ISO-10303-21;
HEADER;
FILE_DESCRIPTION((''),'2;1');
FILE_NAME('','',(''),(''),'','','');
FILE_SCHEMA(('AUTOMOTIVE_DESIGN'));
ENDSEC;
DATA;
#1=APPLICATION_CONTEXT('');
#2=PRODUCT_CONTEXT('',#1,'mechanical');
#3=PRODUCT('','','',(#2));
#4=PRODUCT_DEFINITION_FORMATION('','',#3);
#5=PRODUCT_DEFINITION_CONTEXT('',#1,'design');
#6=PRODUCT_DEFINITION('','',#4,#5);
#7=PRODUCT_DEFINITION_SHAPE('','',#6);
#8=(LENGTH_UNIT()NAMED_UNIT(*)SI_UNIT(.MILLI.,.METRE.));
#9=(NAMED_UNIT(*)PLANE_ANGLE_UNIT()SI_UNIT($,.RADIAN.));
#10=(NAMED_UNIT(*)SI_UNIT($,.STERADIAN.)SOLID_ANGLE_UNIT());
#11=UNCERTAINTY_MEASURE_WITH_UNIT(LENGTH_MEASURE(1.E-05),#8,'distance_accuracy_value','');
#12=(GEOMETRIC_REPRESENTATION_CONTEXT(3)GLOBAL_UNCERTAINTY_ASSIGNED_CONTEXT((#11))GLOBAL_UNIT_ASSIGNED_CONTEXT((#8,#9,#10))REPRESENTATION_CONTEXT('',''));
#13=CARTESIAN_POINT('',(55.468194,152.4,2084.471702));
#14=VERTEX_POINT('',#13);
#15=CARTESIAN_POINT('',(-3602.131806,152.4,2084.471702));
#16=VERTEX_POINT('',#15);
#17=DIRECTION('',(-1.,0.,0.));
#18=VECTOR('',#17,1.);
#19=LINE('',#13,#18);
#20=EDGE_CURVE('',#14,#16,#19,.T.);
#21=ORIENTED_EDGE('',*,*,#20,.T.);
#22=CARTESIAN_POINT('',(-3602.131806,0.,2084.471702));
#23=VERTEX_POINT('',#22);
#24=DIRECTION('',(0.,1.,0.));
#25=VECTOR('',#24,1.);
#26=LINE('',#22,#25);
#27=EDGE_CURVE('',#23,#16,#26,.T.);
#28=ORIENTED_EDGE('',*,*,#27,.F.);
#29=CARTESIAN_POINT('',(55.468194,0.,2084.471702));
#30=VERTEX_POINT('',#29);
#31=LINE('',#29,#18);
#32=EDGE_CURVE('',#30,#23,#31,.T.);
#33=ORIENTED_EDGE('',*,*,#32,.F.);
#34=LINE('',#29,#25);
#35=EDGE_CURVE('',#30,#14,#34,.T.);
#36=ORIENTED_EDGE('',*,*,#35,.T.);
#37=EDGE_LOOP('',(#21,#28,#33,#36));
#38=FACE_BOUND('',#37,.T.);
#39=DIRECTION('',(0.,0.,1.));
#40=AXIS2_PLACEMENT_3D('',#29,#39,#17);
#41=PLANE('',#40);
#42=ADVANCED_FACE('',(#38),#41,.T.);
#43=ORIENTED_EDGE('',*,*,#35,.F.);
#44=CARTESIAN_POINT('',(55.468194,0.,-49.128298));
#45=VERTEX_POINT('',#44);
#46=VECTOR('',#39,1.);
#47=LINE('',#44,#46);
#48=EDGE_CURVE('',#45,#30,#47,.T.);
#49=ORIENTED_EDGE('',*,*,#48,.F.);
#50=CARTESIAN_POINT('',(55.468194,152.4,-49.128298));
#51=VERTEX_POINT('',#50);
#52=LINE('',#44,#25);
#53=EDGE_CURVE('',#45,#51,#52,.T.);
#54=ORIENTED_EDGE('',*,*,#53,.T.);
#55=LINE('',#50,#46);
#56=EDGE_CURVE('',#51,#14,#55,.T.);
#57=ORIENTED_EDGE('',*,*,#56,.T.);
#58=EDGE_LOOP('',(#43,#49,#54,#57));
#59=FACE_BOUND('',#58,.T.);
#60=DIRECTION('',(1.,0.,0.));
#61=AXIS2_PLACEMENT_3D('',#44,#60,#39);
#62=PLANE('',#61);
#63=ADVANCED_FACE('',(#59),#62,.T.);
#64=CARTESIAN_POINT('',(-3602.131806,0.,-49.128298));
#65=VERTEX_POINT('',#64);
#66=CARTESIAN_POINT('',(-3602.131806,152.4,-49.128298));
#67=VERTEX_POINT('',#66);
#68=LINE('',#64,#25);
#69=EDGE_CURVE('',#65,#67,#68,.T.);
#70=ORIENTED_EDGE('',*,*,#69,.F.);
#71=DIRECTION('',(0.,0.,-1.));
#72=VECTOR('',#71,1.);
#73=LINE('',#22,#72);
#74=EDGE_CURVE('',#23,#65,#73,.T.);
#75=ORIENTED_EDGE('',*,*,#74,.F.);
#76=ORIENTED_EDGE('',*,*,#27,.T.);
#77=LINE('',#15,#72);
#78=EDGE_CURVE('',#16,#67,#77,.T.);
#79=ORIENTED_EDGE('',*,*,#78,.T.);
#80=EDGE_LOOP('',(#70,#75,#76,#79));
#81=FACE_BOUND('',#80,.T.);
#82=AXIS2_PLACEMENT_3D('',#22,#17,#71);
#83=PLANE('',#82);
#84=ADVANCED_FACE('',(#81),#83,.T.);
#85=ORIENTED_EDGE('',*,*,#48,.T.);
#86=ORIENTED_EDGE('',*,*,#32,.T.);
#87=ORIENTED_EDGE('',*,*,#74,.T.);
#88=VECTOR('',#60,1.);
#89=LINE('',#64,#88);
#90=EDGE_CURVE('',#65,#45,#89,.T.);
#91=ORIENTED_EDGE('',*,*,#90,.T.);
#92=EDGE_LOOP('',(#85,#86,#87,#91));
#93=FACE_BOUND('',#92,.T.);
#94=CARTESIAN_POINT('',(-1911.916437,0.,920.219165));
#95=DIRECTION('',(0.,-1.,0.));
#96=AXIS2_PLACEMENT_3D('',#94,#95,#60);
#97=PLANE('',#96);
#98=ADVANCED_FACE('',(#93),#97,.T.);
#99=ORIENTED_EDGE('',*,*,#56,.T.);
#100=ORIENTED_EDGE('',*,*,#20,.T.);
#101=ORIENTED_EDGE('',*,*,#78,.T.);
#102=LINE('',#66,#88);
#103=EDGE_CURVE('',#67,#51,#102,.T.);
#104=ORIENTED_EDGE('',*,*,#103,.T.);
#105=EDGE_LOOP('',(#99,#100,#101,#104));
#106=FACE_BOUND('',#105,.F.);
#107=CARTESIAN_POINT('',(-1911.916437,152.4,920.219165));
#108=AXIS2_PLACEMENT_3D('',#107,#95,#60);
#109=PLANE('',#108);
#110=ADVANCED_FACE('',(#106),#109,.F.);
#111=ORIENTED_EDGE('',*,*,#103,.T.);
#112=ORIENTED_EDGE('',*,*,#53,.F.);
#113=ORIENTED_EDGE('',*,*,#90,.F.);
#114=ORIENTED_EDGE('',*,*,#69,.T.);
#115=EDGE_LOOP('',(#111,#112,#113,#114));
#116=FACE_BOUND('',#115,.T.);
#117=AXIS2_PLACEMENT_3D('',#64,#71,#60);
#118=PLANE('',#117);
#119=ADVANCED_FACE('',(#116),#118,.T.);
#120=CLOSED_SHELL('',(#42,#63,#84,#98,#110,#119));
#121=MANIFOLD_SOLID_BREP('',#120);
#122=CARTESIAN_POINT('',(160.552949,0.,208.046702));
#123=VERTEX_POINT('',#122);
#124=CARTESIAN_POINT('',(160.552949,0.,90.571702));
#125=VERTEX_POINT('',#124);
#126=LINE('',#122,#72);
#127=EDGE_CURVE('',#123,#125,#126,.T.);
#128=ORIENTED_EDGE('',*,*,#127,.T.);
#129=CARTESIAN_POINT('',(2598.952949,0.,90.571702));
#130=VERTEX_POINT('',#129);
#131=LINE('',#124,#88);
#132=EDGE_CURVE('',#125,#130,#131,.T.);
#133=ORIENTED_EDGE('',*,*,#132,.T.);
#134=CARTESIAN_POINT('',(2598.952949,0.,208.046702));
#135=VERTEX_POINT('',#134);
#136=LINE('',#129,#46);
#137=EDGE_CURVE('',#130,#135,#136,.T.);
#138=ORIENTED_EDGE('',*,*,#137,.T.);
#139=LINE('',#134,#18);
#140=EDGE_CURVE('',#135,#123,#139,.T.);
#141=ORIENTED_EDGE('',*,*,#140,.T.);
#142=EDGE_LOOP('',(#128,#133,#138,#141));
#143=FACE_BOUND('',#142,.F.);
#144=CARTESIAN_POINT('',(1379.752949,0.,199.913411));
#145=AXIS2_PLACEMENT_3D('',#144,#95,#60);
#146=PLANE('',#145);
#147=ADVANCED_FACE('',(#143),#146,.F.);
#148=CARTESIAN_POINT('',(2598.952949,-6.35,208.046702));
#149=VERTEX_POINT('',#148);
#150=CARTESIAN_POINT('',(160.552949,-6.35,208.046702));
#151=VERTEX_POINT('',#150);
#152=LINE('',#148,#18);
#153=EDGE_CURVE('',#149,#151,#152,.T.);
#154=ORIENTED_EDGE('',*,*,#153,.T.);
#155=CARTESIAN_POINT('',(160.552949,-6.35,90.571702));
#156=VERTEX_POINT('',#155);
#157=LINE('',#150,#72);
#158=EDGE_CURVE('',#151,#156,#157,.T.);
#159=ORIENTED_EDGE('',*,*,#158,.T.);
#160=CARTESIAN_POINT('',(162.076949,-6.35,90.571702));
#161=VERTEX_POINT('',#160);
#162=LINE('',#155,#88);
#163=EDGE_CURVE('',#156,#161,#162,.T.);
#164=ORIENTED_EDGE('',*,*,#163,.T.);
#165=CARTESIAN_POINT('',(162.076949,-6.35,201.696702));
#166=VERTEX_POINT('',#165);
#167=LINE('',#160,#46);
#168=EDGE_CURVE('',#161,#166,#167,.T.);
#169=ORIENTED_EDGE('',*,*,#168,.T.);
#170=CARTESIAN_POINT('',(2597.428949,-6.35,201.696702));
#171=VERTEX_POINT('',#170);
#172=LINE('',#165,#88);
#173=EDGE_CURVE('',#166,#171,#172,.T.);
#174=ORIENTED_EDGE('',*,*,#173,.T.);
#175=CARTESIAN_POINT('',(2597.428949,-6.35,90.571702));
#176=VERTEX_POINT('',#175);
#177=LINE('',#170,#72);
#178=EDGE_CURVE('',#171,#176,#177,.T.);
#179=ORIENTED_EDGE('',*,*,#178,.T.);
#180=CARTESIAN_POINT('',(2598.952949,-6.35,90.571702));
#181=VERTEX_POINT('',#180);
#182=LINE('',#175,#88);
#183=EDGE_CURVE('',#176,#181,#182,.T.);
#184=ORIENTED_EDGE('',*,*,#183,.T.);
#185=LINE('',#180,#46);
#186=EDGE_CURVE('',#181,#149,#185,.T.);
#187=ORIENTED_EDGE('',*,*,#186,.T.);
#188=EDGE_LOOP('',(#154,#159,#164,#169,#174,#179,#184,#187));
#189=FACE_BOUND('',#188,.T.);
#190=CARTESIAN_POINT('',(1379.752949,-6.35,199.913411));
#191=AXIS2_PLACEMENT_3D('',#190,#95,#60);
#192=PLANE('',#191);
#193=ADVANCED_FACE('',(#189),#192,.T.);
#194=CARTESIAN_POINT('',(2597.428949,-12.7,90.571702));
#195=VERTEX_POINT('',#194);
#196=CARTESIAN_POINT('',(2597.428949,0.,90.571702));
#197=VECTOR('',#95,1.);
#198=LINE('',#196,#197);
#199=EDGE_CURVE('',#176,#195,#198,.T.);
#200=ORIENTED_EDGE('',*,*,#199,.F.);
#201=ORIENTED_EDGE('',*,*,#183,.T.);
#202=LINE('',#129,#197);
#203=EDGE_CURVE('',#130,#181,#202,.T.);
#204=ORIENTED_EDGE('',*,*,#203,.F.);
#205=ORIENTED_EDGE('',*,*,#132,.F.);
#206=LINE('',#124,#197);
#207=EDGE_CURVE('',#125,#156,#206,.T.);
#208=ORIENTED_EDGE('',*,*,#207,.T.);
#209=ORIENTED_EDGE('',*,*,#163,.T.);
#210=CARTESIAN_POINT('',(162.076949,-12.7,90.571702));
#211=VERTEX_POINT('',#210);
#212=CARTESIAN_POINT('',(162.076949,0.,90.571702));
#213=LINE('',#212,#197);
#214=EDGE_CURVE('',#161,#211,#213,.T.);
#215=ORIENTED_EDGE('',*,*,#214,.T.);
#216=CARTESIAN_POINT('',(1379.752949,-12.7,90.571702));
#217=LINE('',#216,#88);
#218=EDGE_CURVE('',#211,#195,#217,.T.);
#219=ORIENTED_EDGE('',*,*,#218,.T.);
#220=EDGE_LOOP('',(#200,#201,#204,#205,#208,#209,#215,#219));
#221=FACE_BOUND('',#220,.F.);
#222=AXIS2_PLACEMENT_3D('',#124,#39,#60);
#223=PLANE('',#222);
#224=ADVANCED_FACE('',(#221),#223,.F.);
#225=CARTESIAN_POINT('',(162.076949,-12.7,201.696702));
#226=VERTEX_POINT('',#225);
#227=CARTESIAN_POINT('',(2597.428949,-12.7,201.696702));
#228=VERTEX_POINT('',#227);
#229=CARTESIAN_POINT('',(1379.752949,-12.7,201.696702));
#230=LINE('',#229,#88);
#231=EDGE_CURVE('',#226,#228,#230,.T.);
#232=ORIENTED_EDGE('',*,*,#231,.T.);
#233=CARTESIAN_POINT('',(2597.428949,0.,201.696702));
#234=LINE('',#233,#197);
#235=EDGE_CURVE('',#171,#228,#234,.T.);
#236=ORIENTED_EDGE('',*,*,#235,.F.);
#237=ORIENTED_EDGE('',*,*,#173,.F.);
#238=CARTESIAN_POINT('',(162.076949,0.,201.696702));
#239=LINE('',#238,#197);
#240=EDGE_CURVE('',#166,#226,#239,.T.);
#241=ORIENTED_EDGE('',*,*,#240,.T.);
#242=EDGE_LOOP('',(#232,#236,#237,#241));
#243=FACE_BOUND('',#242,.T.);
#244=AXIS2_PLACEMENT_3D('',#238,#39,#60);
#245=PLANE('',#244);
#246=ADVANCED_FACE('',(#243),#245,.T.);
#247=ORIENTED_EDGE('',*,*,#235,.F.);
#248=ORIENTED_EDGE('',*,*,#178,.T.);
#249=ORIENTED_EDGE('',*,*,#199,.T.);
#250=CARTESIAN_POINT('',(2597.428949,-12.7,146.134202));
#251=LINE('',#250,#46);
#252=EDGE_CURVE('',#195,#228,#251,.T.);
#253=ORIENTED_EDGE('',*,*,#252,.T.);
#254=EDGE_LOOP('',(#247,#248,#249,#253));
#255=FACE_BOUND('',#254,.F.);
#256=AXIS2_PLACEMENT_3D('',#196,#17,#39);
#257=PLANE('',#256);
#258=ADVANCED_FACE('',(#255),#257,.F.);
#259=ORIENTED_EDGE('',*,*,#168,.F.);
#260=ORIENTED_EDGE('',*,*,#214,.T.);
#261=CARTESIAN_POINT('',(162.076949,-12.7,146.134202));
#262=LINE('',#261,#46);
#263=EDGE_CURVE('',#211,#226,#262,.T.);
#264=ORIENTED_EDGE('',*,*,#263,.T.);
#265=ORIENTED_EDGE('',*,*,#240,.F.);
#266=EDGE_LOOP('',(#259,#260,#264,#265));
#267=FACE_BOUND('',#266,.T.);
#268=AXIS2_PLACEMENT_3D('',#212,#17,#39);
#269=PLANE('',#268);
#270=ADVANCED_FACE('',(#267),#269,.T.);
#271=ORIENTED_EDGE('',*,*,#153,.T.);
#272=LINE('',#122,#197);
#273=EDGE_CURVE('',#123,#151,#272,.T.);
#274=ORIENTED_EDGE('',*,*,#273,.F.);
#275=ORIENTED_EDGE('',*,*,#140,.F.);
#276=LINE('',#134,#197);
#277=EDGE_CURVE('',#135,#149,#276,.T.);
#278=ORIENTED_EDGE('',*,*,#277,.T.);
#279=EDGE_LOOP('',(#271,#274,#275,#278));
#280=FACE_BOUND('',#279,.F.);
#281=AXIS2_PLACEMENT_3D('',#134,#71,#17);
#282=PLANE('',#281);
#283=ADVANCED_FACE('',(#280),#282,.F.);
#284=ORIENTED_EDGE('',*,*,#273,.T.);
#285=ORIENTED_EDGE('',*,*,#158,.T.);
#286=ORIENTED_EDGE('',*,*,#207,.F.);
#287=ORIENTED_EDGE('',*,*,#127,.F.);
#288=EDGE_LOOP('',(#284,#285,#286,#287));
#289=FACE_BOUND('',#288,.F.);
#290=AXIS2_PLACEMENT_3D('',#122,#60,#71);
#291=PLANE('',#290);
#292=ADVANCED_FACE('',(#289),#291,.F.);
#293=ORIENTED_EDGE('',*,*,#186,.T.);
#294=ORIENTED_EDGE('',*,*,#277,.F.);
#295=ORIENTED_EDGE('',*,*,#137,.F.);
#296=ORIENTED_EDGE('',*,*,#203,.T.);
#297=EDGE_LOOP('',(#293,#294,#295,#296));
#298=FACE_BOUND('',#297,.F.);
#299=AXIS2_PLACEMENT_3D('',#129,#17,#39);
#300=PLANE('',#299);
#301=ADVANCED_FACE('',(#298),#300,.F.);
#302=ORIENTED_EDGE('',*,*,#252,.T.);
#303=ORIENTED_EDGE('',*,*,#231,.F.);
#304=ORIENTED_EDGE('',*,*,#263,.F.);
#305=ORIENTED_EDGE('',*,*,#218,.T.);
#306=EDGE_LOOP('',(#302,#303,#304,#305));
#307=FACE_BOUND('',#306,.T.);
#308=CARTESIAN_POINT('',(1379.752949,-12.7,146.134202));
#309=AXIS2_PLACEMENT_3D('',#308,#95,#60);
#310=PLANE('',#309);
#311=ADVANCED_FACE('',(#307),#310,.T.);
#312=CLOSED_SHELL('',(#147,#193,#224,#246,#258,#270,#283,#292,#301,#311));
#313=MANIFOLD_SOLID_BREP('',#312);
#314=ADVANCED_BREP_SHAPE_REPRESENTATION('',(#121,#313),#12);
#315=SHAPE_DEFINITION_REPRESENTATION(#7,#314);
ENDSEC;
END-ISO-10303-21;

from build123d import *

# Parameters (mm, degrees)
F0_W     = 2435.352
F0_H     = 111.125
F1_DEPTH = 12.7
F2_DEPTH = 6.35
F0_W_2   = 791.4916503787
F0_H_2   = 117.475
F3_DEPTH = 152.4


with BuildPart() as f1:
    # F0 (on Front) → F1 (new body)
    with BuildSketch(Plane.XZ):
        with Locations((1379.7529487133, 146.1342022836)):
            Rectangle(F0_W, F0_H)
    extrude(amount=F1_DEPTH)

    # F0 (on Front) → F2 (join)
    with BuildSketch(Plane.XZ):
        Polygon((160.5529487133, 201.6967022836), (160.5529487133, 90.5717022836), (162.0769487133, 90.5717022836), (162.0769487133, 201.6967022836), (2597.4289487133, 201.6967022836), (2597.4289487133, 90.5717022836), (2598.9529487133, 90.5717022836), (2598.9529487133, 201.6967022836), (2598.9529487133, 208.0467022836), (423.7732585907, 208.0467022836), (162.0769487133, 208.0467022836), (160.5529487133, 208.0467022836), align=None)
    extrude(amount=F2_DEPTH)


with BuildPart() as f3:
    # F0 (on Front) → F3 (new body)
    with BuildSketch(Plane.XZ):
        Polygon((55.4681941867, 2084.4717022836), (-3602.1318058133, 2084.4717022836), (-3602.1318058133, 90.5717022836), (-736.023456192, 90.5717022836), (-736.023456192, 208.0467022836), (-2014.6267414093, 208.0467022836), (-2014.6267414093, 325.5217022836), (-2481.4939498901, 325.5217022836), (-2481.4939498901, 442.9967022836), (-3233.325958252, 442.9967022836), (-3233.325958252, 560.4717022836), (-1497.863650322, 560.4717022836), (-1497.863650322, 677.9467022836), (55.4681941867, 677.9467022836), align=None)
        Polygon((55.4681941867, 560.4717022836), (55.4681941867, 677.9467022836), (-1497.863650322, 677.9467022836), (-1497.863650322, 560.4717022836), (-794.925958252, 560.4717022836), align=None)
        Polygon((55.4681941867, 325.5217022836), (55.4681941867, 560.4717022836), (-794.925958252, 560.4717022836), (-794.925958252, 442.9967022836), (-43.0939498901, 442.9967022836), (-43.0939498901, 325.5217022836), align=None)
        Polygon((-794.925958252, 442.9967022836), (-794.925958252, 560.4717022836), (-1497.863650322, 560.4717022836), (-3233.325958252, 560.4717022836), (-3233.325958252, 442.9967022836), (-2481.4939498901, 442.9967022836), align=None)
        Polygon((-2014.6267414093, 325.5217022836), (-43.0939498901, 325.5217022836), (-43.0939498901, 442.9967022836), (-794.925958252, 442.9967022836), (-2481.4939498901, 442.9967022836), (-2481.4939498901, 325.5217022836), align=None)
        Polygon((-2014.6267414093, 208.0467022836), (-736.023456192, 208.0467022836), (55.4681941867, 208.0467022836), (55.4681941867, 325.5217022836), (-43.0939498901, 325.5217022836), (-2014.6267414093, 325.5217022836), align=None)
        with Locations((-340.2776310027, 149.3092022836)):
            Rectangle(F0_W_2, F0_H_2)
        Polygon((-736.023456192, 90.5717022836), (-3602.1318058133, 90.5717022836), (-3602.1318058133, -49.1282977164), (55.4681941867, -49.1282977164), (55.4681941867, 90.5717022836), align=None)
    extrude(amount=-F3_DEPTH)


solid = Compound([f1.part, f3.part])
